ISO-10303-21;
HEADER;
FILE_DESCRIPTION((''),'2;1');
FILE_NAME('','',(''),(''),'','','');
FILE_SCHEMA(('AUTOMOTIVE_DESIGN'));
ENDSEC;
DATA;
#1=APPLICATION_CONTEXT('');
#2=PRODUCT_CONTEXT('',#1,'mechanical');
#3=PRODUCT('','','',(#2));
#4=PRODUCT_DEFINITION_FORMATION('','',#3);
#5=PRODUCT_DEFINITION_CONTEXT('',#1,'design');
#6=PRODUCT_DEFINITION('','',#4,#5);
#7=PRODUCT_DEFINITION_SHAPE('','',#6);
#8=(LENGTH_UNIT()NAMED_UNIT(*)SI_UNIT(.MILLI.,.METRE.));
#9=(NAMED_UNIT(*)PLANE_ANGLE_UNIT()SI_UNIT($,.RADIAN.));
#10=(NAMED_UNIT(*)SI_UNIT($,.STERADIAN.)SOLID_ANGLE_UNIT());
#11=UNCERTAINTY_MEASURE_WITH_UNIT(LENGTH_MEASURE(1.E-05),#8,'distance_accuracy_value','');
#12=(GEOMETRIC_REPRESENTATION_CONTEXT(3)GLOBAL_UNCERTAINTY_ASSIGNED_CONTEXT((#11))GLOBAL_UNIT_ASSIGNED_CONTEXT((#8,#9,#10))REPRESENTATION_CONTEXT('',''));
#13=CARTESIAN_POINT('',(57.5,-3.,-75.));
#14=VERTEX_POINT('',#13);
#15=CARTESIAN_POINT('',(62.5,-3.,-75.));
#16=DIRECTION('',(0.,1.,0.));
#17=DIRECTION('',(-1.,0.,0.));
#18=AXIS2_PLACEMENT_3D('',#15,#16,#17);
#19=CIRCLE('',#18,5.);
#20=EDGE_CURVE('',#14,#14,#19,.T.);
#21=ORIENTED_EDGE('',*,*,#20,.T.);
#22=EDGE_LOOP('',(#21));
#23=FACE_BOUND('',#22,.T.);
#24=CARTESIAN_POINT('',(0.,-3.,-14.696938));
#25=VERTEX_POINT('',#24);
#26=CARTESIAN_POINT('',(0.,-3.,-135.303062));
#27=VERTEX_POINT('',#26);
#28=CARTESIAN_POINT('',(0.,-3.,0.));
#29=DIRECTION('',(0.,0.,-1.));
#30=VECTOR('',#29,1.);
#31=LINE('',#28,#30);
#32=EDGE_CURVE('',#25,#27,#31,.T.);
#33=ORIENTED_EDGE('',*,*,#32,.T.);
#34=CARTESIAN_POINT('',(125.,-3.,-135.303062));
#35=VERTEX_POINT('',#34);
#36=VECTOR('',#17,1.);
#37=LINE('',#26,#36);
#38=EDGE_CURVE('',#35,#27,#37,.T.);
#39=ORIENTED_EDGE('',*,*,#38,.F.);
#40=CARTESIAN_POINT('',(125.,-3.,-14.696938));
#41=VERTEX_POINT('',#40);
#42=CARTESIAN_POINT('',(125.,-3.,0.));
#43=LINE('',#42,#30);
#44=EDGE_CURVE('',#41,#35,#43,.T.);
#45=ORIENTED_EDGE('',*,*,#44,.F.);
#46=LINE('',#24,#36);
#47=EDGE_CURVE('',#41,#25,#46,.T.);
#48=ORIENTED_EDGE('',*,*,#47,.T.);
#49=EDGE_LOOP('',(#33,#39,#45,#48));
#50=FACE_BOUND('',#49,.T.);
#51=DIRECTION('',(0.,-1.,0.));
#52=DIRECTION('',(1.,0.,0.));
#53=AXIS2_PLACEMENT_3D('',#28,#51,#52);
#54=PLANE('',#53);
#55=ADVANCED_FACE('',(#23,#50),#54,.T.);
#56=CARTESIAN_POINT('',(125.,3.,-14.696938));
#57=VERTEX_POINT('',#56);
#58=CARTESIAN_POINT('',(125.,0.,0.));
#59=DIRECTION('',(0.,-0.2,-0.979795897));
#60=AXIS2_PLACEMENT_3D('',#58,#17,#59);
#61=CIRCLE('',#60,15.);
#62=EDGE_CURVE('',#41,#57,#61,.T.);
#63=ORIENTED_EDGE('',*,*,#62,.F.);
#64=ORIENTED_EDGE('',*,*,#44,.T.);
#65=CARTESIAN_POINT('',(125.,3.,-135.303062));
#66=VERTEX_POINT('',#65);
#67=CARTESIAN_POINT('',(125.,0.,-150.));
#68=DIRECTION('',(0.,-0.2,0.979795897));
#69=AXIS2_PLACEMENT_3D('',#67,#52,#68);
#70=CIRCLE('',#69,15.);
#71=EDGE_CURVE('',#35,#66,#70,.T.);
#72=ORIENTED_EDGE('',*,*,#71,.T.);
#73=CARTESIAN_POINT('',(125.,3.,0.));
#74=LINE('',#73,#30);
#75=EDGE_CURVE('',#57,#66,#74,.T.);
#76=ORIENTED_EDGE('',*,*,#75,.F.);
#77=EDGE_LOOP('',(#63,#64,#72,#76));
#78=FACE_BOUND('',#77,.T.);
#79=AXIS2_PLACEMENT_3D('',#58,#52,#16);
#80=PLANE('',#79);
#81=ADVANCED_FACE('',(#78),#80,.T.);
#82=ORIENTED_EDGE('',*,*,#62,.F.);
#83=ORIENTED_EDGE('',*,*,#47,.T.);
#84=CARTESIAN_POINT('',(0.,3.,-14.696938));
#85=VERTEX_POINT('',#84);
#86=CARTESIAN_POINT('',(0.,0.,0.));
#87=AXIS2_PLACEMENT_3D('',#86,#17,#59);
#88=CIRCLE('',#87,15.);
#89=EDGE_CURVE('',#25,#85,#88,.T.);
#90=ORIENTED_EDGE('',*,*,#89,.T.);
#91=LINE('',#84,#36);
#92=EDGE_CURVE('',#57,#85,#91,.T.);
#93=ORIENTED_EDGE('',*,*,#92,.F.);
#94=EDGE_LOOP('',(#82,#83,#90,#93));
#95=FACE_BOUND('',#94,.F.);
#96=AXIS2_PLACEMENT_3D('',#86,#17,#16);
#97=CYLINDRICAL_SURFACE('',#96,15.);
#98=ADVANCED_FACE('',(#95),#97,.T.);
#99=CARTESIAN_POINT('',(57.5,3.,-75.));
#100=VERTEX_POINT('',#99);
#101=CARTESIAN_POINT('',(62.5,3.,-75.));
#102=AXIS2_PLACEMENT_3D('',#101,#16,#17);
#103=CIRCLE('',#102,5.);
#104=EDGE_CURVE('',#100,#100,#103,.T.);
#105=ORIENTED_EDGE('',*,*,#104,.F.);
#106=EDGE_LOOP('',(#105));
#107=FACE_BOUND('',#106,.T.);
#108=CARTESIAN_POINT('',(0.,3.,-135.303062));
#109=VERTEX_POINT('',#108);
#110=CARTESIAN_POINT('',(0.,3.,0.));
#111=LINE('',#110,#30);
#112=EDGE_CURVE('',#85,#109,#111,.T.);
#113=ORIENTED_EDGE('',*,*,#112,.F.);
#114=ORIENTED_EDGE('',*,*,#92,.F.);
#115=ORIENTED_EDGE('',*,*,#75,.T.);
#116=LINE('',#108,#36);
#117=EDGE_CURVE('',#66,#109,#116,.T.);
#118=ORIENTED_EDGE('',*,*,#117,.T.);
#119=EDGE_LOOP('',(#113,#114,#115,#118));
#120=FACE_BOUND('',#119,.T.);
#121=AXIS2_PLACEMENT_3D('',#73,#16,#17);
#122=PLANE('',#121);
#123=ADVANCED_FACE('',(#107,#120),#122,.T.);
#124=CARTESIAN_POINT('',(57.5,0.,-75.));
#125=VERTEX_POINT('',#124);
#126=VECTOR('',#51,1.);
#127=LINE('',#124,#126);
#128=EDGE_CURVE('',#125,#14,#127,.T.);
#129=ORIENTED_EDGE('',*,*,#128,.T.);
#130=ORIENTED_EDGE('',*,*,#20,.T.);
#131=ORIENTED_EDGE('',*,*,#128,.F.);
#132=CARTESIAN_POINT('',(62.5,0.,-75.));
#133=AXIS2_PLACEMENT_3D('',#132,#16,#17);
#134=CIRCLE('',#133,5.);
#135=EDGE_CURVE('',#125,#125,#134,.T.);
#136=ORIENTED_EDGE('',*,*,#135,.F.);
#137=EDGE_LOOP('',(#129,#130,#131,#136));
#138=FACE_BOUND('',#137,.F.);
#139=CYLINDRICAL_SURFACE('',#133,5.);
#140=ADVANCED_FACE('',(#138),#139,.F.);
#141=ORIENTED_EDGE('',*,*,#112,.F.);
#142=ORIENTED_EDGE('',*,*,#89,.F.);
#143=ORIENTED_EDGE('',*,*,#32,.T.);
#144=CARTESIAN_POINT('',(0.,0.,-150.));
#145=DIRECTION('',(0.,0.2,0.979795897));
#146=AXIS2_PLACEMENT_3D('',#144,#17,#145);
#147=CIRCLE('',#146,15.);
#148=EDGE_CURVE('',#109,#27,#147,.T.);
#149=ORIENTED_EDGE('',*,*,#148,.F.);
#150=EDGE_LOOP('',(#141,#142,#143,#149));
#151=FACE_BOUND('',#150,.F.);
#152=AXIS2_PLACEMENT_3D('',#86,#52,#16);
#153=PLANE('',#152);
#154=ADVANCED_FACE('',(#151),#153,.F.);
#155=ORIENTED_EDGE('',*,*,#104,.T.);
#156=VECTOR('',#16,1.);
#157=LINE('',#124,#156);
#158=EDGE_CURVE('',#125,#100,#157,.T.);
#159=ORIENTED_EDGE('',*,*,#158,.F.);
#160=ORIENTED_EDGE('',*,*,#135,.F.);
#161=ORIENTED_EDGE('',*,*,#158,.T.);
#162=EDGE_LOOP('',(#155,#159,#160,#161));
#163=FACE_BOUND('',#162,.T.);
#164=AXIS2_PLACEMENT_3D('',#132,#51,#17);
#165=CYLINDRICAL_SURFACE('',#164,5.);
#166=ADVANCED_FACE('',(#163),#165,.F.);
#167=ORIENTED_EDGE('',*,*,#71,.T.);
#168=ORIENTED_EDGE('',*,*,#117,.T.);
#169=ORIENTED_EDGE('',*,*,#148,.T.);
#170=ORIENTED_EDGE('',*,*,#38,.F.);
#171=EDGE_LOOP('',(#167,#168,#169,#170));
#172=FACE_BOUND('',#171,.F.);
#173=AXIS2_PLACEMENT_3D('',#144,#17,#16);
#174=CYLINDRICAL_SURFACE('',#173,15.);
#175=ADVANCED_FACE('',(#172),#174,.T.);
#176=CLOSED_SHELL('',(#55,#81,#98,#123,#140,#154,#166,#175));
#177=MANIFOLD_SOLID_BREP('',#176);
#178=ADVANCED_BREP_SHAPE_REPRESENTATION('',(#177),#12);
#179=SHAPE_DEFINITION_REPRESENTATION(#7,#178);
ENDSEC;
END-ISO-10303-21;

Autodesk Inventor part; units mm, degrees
ref_plane "YZ Plane" through (0, 0, 0) normal (1, 0, 0) x (0, 1, 0)
ref_plane "XZ Plane" through (0, 0, 0) normal (0, 1, 0) x (-1, 0, 0)
ref_plane "XY Plane" through (0, 0, 0) normal (0, 0, 1) x (1, 0, 0)
sketch "Sketch1" plane through (0, 0, 0) normal (0, 0, 1) x (1, 0, 0)
  point P0 (0, 0)
sketch "Sketch2" plane through (0, 0, 0) normal (1, 0, 0) x (0, 1, 0)
  circle A0 centre (0, 0) radius 15
  circle A1 centre (0, -150) radius 15
  dimension "d0" = 30
  dimension "d1" = 30
  dimension "d2" = 150
  dimension "d3" = 0
extrude "Extrusion1" add sketch "Sketch2" along normal blind 125
sketch "Sketch3" plane through (0, 0, 0) normal (0, 0, 1) x (1, 0, 0)
  line L0 (125, -15) -> (125, 15) projected
  line L1 (0, 15) -> (0, -15) projected
  line L2 (0, 15) -> (125, 15) projected
  line L3 (0, -15) -> (125, -15) projected
  line L4 (125, 3) -> (0, 3)
  line L5 (0, 3) -> (0, -3)
  line L6 (0, -3) -> (125, -3)
  line L7 (125, -3) -> (125, 3)
  point P0 (0, 0)
  dimension "d10" = 3
  dimension "d11" = 3
extrude "Extrusion2" add sketch "Sketch3" against normal blind 150 contours L6 L1 L4 L0
sketch "Sketch4" plane through (0, -3, -14.6969) normal (0, -1, 0) x (1, 0, 0)
  point P0 (0, 14.6969)
sketch "Sketch5" plane through (0, 0, 0) normal (0, 1, 0) x (-1, 0, 0)
  line L0 (-125, -14.6969) -> (0, -14.6969) projected
  line L1 (-125, -14.6969) -> (-125, -135.3031) projected
  line L2 (0, -135.3031) -> (-125, -135.3031) projected
  line L3 (0, -14.6969) -> (0, -135.3031) projected
  line L4 (0, -14.6969) -> (-125, -14.6969) projected
  line L5 (-125, -14.6969) -> (-125, -14.6969) projected
  line L6 (-125, -14.6969) -> (0, -14.6969) projected
  line L7 (0, -14.6969) -> (0, -14.6969) projected
  line L8 (0, 15) -> (-125, 15) projected
  line L9 (0, -165) -> (-125, -165) projected
  circle A0 centre (-62.5, -75) radius 5
  point P0 (0, 0)
  dimension "d18" = 10
  dimension "d19" = 90
  dimension "d20" = 62.5
extrude "Extrusion3" cut sketch "Sketch5" along normal mid plane 6 contours A0
properties part number "EE_Base-Rod-Rev1"
